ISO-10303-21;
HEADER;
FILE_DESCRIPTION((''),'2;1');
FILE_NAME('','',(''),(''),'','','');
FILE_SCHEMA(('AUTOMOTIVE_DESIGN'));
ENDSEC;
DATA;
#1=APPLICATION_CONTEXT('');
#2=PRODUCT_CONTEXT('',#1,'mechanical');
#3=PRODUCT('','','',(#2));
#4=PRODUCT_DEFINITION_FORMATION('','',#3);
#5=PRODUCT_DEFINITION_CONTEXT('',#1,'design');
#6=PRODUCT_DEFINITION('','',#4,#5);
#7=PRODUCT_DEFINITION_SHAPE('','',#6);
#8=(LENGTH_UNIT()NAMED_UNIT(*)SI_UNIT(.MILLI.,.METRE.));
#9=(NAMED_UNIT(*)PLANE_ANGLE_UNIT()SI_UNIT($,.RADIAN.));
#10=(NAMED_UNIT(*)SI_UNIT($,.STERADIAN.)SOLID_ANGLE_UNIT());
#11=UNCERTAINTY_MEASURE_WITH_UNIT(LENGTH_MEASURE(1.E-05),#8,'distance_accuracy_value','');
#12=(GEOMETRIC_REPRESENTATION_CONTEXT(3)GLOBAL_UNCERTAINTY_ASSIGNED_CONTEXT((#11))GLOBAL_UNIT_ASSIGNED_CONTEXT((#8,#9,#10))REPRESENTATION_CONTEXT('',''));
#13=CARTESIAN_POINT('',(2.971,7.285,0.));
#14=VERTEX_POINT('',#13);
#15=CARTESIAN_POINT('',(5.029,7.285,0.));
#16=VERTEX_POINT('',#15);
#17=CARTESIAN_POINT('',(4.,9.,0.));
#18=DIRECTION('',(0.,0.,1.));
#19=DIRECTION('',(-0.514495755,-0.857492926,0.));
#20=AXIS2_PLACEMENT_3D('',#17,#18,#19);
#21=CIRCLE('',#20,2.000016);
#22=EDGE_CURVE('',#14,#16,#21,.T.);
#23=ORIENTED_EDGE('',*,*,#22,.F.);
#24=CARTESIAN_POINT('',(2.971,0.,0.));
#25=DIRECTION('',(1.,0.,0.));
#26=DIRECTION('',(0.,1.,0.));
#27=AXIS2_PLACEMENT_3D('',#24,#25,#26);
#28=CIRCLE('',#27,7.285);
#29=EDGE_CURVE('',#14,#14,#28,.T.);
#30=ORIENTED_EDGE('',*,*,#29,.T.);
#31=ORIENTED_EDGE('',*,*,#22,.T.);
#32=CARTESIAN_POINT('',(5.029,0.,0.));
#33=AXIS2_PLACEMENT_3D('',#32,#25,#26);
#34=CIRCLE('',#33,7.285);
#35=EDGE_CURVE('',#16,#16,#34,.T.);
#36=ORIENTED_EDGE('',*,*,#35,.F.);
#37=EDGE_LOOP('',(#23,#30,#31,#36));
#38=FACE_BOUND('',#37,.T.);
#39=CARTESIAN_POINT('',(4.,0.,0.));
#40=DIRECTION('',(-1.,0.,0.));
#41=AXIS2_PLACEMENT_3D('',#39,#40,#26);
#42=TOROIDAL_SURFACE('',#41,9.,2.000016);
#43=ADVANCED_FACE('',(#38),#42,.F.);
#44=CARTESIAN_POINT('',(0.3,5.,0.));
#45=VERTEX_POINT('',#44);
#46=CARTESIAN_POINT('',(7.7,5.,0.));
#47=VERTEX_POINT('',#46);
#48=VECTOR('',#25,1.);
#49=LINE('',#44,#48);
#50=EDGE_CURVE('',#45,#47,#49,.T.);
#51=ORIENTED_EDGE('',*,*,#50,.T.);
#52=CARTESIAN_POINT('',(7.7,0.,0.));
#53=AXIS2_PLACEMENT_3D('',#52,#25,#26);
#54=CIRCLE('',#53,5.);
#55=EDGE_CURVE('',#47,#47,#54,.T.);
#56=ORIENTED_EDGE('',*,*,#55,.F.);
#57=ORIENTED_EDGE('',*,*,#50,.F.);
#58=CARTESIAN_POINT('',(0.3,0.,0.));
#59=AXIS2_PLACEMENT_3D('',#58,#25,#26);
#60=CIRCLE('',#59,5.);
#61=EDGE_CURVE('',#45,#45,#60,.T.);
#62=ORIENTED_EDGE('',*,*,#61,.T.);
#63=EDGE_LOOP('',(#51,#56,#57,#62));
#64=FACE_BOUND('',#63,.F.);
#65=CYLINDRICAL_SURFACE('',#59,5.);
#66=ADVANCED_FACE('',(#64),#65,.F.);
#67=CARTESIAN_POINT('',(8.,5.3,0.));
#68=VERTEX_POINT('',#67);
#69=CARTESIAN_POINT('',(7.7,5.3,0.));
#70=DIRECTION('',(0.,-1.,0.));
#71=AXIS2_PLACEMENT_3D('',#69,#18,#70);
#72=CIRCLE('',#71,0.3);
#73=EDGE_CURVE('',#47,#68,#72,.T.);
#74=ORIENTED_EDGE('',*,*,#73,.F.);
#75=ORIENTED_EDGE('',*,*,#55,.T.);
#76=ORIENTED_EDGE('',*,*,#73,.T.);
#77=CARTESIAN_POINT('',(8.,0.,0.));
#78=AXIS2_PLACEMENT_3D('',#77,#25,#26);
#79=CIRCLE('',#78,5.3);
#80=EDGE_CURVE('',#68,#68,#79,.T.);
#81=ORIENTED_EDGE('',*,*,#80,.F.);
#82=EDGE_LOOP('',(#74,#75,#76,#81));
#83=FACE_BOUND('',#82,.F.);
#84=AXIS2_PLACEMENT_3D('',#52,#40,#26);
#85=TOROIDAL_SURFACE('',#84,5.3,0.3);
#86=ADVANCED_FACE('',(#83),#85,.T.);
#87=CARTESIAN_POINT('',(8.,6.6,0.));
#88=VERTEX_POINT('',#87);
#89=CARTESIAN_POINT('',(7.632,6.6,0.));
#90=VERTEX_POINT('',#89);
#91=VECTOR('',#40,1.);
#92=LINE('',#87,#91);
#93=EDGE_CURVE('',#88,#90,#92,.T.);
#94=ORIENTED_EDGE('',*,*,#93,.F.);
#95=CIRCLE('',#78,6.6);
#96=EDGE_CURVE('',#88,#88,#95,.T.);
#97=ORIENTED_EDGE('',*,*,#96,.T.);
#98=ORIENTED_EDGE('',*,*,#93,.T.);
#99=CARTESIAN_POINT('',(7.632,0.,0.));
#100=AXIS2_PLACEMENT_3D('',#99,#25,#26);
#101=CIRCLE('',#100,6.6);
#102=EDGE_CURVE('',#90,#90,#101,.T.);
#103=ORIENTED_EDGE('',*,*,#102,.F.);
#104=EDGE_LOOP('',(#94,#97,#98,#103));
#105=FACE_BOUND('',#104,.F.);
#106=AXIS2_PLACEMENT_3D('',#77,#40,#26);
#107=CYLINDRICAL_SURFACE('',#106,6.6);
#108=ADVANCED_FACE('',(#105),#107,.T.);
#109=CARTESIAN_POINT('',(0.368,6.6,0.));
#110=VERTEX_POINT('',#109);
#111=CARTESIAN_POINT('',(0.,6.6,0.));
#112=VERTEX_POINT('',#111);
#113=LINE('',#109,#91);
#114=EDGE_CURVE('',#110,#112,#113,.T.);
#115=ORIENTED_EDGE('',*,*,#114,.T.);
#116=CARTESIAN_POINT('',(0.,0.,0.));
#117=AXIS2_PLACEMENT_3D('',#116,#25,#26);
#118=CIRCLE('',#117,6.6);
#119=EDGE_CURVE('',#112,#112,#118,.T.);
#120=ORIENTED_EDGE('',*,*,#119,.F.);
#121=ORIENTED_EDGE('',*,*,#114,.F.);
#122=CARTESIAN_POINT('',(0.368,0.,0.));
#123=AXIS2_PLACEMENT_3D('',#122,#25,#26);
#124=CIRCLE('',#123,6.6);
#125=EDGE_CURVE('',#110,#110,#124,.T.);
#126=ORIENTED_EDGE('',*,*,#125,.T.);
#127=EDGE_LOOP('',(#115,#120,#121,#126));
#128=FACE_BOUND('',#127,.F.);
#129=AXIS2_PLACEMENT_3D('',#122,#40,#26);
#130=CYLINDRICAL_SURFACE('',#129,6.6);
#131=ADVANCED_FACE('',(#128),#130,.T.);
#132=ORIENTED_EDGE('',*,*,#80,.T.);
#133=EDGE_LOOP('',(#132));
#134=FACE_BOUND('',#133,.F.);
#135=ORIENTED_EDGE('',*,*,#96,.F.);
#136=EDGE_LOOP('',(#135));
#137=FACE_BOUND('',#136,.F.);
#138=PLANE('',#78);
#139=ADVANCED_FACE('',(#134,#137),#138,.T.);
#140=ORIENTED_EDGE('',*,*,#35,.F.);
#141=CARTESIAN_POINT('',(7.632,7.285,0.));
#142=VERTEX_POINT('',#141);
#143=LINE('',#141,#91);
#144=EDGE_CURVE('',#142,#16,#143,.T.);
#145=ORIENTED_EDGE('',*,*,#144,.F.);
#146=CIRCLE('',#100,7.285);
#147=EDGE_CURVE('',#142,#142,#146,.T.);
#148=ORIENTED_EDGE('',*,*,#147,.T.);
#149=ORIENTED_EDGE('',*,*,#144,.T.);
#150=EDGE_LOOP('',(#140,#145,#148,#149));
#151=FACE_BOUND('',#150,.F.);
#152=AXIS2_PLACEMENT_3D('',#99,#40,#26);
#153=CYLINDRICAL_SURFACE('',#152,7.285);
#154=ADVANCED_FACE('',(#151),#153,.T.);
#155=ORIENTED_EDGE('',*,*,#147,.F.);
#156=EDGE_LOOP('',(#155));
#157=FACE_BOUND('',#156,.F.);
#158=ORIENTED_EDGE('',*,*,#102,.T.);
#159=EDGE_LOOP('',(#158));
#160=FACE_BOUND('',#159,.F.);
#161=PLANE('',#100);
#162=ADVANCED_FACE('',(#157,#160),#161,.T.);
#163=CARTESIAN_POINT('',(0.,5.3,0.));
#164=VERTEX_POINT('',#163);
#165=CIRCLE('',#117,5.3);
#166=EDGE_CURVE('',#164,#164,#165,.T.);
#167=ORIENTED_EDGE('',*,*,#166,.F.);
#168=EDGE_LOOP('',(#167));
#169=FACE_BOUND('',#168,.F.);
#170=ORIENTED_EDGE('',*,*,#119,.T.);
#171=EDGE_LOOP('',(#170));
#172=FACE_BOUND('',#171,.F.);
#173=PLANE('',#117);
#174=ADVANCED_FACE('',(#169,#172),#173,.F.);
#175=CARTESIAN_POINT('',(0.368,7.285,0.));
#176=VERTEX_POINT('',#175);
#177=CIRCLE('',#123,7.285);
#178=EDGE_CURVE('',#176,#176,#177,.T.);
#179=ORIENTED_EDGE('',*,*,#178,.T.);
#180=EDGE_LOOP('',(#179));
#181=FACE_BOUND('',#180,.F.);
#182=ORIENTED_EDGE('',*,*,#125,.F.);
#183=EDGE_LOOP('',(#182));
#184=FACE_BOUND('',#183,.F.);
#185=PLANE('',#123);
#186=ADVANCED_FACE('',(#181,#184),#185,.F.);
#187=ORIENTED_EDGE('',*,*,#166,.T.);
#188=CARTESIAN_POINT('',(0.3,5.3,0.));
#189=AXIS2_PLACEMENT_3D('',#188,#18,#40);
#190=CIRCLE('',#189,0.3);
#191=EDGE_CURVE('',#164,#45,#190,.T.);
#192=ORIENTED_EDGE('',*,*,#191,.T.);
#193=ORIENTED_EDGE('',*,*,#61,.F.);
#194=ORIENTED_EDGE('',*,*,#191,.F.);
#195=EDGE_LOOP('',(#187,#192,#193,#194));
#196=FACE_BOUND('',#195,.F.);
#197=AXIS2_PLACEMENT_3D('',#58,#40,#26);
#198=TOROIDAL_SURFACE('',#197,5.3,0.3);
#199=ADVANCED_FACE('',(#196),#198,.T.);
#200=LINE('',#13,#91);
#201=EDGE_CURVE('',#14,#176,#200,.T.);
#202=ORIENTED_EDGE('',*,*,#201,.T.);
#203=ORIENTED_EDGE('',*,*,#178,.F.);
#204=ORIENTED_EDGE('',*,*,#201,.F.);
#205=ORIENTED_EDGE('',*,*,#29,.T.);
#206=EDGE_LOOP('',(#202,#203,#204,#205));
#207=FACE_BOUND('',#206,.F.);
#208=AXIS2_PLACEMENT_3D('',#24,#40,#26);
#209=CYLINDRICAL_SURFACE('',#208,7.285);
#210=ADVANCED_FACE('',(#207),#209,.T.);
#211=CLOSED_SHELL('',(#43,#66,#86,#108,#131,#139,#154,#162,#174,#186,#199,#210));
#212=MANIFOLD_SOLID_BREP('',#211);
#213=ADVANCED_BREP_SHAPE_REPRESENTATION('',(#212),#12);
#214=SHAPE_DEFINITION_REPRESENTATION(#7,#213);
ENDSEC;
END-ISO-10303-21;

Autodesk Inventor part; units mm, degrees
sketch "Sketch_1" plane through (0, 0, 0) normal (0, 0, 1) x (1, 0, 0)
  line L0 (8, 0) -> (0, 0)
  arc A0 (0, 5.3) -> (0.3, 5) centre (0.3, 5.3) ccw
  line L1 (0.3, 5) -> (7.7, 5)
  arc A1 (7.7, 5) -> (8, 5.3) centre (7.7, 5.3) ccw
  line L2 (8, 5.3) -> (8, 6.6)
  line L3 (8, 6.6) -> (7.632, 6.6)
  line L4 (7.632, 6.6) -> (7.632, 7.285)
  line L5 (7.632, 7.285) -> (5.029, 7.285)
  arc A2 (2.971, 7.285) -> (5.029, 7.285) centre (4, 9) ccw
  line L6 (2.971, 7.285) -> (0.368, 7.285)
  line L7 (0.368, 7.285) -> (0.368, 6.6)
  line L8 (0.368, 6.6) -> (0, 6.6)
  line L9 (0, 6.6) -> (0, 5.3)
revolve "Revolution1" add sketch "Sketch_1" angle 360 about axis through (8, 0, 0) along (1, 0, 0)
ref_plane "ip_cst_3_ir_1_1_XY" through (4, 9, 0) normal (-1, 0, 0) x (0, 0, -1)
ref_plane "ip_cst_3_ir_1_1_YZ" through (4, 9, 0) normal (0, 0, -1) x (0, -1, 0)
ref_plane "ip_cst_3_ir_1_1_ZX" through (4, 9, 0) normal (0, -1, 0) x (-1, 0, 0)
ref_plane "ip_cst_3_ir_1_10_XY" through (4, -3.1914, -8.4151) normal (-1, 0, 0) x (0, 0, -1)
ref_plane "ip_cst_3_ir_1_10_YZ" through (4, -3.1914, -8.4151) normal (0, 0, -1) x (0, -1, 0)
ref_plane "ip_cst_3_ir_1_10_ZX" through (4, -3.1914, -8.4151) normal (0, -1, 0) x (-1, 0, 0)
ref_plane "ip_cst_3_ir_1_11_XY" through (4, 1.0848, -8.9344) normal (-1, 0, 0) x (0, 0, -1)
ref_plane "ip_cst_3_ir_1_11_YZ" through (4, 1.0848, -8.9344) normal (0, 0, -1) x (0, -1, 0)
ref_plane "ip_cst_3_ir_1_11_ZX" through (4, 1.0848, -8.9344) normal (0, -1, 0) x (-1, 0, 0)
ref_plane "ip_cst_3_ir_1_12_XY" through (4, 5.1126, -7.4069) normal (-1, 0, 0) x (0, 0, -1)
ref_plane "ip_cst_3_ir_1_12_YZ" through (4, 5.1126, -7.4069) normal (0, 0, -1) x (0, -1, 0)
ref_plane "ip_cst_3_ir_1_12_ZX" through (4, 5.1126, -7.4069) normal (0, -1, 0) x (-1, 0, 0)
ref_plane "ip_cst_3_ir_1_13_XY" through (4, 7.9691, -4.1825) normal (-1, 0, 0) x (0, 0, -1)
ref_plane "ip_cst_3_ir_1_13_YZ" through (4, 7.9691, -4.1825) normal (0, 0, -1) x (0, -1, 0)
ref_plane "ip_cst_3_ir_1_13_ZX" through (4, 7.9691, -4.1825) normal (0, -1, 0) x (-1, 0, 0)
ref_plane "ip_cst_3_ir_1_2_XY" through (4, 7.9691, 4.1825) normal (-1, 0, 0) x (0, 0, -1)
ref_plane "ip_cst_3_ir_1_2_YZ" through (4, 7.9691, 4.1825) normal (0, 0, -1) x (0, -1, 0)
ref_plane "ip_cst_3_ir_1_2_ZX" through (4, 7.9691, 4.1825) normal (0, -1, 0) x (-1, 0, 0)
ref_plane "ip_cst_3_ir_1_3_XY" through (4, 5.1126, 7.4069) normal (-1, 0, 0) x (0, 0, -1)
ref_plane "ip_cst_3_ir_1_3_YZ" through (4, 5.1126, 7.4069) normal (0, 0, -1) x (0, -1, 0)
ref_plane "ip_cst_3_ir_1_3_ZX" through (4, 5.1126, 7.4069) normal (0, -1, 0) x (-1, 0, 0)
ref_plane "ip_cst_3_ir_1_4_XY" through (4, 1.0848, 8.9344) normal (-1, 0, 0) x (0, 0, -1)
ref_plane "ip_cst_3_ir_1_4_YZ" through (4, 1.0848, 8.9344) normal (0, 0, -1) x (0, -1, 0)
ref_plane "ip_cst_3_ir_1_4_ZX" through (4, 1.0848, 8.9344) normal (0, -1, 0) x (-1, 0, 0)
ref_plane "ip_cst_3_ir_1_5_XY" through (4, -3.1914, 8.4151) normal (-1, 0, 0) x (0, 0, -1)
ref_plane "ip_cst_3_ir_1_5_YZ" through (4, -3.1914, 8.4151) normal (0, 0, -1) x (0, -1, 0)
ref_plane "ip_cst_3_ir_1_5_ZX" through (4, -3.1914, 8.4151) normal (0, -1, 0) x (-1, 0, 0)
ref_plane "ip_cst_3_ir_1_6_XY" through (4, -6.7366, 5.9681) normal (-1, 0, 0) x (0, 0, -1)
ref_plane "ip_cst_3_ir_1_6_YZ" through (4, -6.7366, 5.9681) normal (0, 0, -1) x (0, -1, 0)
ref_plane "ip_cst_3_ir_1_6_ZX" through (4, -6.7366, 5.9681) normal (0, -1, 0) x (-1, 0, 0)
ref_plane "ip_cst_3_ir_1_7_XY" through (4, -8.7385, 2.1538) normal (-1, 0, 0) x (0, 0, -1)
ref_plane "ip_cst_3_ir_1_7_YZ" through (4, -8.7385, 2.1538) normal (0, 0, -1) x (0, -1, 0)
ref_plane "ip_cst_3_ir_1_7_ZX" through (4, -8.7385, 2.1538) normal (0, -1, 0) x (-1, 0, 0)
ref_plane "ip_cst_3_ir_1_8_XY" through (4, -8.7385, -2.1538) normal (-1, 0, 0) x (0, 0, -1)
ref_plane "ip_cst_3_ir_1_8_YZ" through (4, -8.7385, -2.1538) normal (0, 0, -1) x (0, -1, 0)
ref_plane "ip_cst_3_ir_1_8_ZX" through (4, -8.7385, -2.1538) normal (0, -1, 0) x (-1, 0, 0)
ref_plane "ip_cst_3_ir_1_9_XY" through (4, -6.7366, -5.9681) normal (-1, 0, 0) x (0, 0, -1)
ref_plane "ip_cst_3_ir_1_9_YZ" through (4, -6.7366, -5.9681) normal (0, 0, -1) x (0, -1, 0)
ref_plane "ip_cst_3_ir_1_9_ZX" through (4, -6.7366, -5.9681) normal (0, -1, 0) x (-1, 0, 0)
ref_plane "ip_cst_3_ir_1a_XY" through (0, 0, 0) normal (1, 0, 0) x (0, 0, -1)
ref_plane "ip_cst_3_ir_1a_YZ" through (0, 0, 0) normal (0, 0, -1) x (0, 1, 0)
ref_plane "ip_cst_3_ir_1a_ZX" through (0, 0, 0) normal (0, 1, 0) x (1, 0, 0)
properties part number "6000DDU Inner ring"
